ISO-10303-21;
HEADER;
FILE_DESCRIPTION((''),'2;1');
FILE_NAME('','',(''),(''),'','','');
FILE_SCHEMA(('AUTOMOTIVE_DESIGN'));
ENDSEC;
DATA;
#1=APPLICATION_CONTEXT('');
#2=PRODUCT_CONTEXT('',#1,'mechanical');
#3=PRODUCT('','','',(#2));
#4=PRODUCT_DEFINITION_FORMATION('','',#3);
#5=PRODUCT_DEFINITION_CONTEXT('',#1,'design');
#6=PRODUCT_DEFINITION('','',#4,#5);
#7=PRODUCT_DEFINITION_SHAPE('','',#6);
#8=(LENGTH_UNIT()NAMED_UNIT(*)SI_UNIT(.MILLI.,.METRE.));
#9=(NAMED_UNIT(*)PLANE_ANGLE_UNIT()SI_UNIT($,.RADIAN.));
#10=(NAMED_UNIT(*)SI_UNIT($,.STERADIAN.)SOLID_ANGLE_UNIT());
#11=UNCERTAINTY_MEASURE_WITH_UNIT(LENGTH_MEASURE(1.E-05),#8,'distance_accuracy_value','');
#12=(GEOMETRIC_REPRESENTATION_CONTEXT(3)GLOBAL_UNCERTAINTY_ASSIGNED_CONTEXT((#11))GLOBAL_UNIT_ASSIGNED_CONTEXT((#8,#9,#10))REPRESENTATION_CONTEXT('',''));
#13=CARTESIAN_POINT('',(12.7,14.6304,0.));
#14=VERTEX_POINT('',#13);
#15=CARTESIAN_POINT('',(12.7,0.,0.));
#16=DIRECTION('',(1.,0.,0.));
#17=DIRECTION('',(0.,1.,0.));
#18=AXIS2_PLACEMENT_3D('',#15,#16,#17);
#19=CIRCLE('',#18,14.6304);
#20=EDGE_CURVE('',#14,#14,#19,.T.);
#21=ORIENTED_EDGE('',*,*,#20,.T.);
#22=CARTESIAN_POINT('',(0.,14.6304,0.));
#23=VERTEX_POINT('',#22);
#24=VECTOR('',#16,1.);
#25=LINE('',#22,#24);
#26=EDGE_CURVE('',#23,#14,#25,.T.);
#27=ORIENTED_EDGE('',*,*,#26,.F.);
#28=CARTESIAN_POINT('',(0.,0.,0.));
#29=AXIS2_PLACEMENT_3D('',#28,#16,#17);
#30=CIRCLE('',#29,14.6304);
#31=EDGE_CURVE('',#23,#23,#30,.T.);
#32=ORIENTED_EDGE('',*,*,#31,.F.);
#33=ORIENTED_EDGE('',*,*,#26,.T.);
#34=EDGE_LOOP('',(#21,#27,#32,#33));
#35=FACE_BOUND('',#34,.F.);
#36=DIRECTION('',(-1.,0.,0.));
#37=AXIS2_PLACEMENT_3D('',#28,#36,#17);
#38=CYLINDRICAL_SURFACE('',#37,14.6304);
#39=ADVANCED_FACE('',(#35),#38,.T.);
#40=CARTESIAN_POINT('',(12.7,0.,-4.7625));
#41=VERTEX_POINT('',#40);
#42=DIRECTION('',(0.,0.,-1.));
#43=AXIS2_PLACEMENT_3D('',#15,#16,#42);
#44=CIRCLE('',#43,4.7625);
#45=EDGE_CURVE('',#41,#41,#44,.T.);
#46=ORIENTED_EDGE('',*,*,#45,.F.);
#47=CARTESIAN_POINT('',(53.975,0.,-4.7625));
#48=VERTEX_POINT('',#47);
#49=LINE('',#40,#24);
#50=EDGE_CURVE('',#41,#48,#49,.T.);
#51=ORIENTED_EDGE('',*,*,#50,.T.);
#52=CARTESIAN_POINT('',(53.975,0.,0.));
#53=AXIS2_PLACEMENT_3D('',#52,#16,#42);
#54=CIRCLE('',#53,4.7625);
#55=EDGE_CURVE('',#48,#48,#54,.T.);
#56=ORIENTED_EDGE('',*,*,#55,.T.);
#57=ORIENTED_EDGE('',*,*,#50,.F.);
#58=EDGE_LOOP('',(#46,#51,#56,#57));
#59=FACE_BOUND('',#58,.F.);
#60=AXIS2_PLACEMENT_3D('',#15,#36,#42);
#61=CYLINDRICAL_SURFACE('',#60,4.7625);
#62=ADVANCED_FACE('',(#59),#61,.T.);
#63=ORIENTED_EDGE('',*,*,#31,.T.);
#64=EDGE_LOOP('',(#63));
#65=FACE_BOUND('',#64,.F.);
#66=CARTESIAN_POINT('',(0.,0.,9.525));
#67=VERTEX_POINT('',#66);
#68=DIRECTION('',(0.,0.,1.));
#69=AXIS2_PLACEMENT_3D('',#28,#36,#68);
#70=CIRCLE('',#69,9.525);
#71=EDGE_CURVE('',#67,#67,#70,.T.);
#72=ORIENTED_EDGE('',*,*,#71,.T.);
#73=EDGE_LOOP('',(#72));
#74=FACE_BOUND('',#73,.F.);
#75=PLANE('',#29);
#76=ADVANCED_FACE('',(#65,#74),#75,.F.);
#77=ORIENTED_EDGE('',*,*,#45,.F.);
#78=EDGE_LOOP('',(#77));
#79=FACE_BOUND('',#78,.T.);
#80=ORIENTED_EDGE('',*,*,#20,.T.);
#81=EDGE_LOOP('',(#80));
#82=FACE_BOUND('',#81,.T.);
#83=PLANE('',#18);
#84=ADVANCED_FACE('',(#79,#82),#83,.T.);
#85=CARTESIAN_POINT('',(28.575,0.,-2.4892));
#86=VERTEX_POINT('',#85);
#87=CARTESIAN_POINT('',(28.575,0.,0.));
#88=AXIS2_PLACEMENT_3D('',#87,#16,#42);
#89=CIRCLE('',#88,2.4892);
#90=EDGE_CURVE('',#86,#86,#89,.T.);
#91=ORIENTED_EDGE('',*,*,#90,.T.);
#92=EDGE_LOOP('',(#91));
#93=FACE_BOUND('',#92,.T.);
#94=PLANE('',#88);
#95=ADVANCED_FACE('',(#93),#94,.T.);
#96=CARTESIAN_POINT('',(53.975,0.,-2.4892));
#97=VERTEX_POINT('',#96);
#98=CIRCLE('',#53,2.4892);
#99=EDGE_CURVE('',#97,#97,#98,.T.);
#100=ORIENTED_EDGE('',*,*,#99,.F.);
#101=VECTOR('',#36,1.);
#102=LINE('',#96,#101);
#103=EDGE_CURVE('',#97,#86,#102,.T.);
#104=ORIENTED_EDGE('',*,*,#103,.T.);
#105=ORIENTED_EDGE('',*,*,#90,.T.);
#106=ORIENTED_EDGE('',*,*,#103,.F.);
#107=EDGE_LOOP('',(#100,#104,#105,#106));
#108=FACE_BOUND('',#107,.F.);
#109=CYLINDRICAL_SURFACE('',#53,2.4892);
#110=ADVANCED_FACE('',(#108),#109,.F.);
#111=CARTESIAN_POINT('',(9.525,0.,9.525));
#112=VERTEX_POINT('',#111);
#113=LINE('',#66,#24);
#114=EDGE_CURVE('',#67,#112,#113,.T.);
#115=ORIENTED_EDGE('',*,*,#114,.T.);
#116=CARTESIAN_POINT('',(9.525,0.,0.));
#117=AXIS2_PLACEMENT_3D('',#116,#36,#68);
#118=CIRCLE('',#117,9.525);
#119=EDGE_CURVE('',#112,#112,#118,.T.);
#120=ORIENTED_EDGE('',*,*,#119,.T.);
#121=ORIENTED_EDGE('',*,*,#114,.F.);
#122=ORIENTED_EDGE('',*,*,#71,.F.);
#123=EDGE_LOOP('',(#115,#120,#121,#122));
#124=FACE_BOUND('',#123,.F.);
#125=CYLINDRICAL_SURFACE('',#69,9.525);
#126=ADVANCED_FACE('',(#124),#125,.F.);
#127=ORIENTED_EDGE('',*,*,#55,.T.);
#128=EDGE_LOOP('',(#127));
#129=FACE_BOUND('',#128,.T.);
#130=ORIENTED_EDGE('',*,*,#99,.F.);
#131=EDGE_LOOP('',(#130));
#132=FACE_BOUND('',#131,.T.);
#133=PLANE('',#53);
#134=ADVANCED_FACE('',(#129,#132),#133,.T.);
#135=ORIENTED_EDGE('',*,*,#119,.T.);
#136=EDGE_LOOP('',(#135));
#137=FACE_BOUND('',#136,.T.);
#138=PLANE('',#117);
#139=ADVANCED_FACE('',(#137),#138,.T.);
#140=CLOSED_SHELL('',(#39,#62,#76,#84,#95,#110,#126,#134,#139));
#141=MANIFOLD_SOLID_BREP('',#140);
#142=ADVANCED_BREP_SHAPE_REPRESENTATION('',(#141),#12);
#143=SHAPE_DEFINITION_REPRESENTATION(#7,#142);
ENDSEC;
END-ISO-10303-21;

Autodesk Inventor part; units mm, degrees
ref_plane "YZ Plane" through (0, 0, 0) normal (1, 0, 0) x (0, 1, 0)
ref_plane "XZ Plane" through (0, 0, 0) normal (0, 1, 0) x (-1, 0, 0)
ref_plane "XY Plane" through (0, 0, 0) normal (0, 0, 1) x (1, 0, 0)
sketch "Sketch3" plane through (0, 0, 0) normal (1, 0, 0) x (0, 1, 0)
  circle A0 centre (0, 0) radius 15.875 construction
  circle A1 centre (0, 0) radius 14.6304
  dimension "d8" = 31.75
  dimension "d9" = 1.2446
extrude "Extrusion3" add sketch "Sketch3" along normal blind 12.7
sketch "Sketch4" plane through (12.7, 0, 0) normal (1, 0, 0) x (0, 0, -1)
  circle A0 centre (0, 0) radius 4.7625
  dimension "d12" = 9.525
extrude "Extrusion4" add sketch "Sketch4" along normal blind 41.275
sketch "Sketch5" plane through (53.975, 0, 0) normal (1, 0, 0) x (0, 0, -1)
  circle A0 centre (0, 0) radius 2.4892
  dimension "d15" = 4.9784
extrude "Extrusion5" cut sketch "Sketch5" against normal blind 25.4
sketch "Sketch6" plane through (0, 0, 0) normal (-1, 0, 0) x (0, 0, 1)
  circle A0 centre (0, 0) radius 9.525
  dimension "d18" = 19.05
extrude "Extrusion6" cut sketch "Sketch6" against normal blind 9.525
properties part number "Long roller plug 3"
